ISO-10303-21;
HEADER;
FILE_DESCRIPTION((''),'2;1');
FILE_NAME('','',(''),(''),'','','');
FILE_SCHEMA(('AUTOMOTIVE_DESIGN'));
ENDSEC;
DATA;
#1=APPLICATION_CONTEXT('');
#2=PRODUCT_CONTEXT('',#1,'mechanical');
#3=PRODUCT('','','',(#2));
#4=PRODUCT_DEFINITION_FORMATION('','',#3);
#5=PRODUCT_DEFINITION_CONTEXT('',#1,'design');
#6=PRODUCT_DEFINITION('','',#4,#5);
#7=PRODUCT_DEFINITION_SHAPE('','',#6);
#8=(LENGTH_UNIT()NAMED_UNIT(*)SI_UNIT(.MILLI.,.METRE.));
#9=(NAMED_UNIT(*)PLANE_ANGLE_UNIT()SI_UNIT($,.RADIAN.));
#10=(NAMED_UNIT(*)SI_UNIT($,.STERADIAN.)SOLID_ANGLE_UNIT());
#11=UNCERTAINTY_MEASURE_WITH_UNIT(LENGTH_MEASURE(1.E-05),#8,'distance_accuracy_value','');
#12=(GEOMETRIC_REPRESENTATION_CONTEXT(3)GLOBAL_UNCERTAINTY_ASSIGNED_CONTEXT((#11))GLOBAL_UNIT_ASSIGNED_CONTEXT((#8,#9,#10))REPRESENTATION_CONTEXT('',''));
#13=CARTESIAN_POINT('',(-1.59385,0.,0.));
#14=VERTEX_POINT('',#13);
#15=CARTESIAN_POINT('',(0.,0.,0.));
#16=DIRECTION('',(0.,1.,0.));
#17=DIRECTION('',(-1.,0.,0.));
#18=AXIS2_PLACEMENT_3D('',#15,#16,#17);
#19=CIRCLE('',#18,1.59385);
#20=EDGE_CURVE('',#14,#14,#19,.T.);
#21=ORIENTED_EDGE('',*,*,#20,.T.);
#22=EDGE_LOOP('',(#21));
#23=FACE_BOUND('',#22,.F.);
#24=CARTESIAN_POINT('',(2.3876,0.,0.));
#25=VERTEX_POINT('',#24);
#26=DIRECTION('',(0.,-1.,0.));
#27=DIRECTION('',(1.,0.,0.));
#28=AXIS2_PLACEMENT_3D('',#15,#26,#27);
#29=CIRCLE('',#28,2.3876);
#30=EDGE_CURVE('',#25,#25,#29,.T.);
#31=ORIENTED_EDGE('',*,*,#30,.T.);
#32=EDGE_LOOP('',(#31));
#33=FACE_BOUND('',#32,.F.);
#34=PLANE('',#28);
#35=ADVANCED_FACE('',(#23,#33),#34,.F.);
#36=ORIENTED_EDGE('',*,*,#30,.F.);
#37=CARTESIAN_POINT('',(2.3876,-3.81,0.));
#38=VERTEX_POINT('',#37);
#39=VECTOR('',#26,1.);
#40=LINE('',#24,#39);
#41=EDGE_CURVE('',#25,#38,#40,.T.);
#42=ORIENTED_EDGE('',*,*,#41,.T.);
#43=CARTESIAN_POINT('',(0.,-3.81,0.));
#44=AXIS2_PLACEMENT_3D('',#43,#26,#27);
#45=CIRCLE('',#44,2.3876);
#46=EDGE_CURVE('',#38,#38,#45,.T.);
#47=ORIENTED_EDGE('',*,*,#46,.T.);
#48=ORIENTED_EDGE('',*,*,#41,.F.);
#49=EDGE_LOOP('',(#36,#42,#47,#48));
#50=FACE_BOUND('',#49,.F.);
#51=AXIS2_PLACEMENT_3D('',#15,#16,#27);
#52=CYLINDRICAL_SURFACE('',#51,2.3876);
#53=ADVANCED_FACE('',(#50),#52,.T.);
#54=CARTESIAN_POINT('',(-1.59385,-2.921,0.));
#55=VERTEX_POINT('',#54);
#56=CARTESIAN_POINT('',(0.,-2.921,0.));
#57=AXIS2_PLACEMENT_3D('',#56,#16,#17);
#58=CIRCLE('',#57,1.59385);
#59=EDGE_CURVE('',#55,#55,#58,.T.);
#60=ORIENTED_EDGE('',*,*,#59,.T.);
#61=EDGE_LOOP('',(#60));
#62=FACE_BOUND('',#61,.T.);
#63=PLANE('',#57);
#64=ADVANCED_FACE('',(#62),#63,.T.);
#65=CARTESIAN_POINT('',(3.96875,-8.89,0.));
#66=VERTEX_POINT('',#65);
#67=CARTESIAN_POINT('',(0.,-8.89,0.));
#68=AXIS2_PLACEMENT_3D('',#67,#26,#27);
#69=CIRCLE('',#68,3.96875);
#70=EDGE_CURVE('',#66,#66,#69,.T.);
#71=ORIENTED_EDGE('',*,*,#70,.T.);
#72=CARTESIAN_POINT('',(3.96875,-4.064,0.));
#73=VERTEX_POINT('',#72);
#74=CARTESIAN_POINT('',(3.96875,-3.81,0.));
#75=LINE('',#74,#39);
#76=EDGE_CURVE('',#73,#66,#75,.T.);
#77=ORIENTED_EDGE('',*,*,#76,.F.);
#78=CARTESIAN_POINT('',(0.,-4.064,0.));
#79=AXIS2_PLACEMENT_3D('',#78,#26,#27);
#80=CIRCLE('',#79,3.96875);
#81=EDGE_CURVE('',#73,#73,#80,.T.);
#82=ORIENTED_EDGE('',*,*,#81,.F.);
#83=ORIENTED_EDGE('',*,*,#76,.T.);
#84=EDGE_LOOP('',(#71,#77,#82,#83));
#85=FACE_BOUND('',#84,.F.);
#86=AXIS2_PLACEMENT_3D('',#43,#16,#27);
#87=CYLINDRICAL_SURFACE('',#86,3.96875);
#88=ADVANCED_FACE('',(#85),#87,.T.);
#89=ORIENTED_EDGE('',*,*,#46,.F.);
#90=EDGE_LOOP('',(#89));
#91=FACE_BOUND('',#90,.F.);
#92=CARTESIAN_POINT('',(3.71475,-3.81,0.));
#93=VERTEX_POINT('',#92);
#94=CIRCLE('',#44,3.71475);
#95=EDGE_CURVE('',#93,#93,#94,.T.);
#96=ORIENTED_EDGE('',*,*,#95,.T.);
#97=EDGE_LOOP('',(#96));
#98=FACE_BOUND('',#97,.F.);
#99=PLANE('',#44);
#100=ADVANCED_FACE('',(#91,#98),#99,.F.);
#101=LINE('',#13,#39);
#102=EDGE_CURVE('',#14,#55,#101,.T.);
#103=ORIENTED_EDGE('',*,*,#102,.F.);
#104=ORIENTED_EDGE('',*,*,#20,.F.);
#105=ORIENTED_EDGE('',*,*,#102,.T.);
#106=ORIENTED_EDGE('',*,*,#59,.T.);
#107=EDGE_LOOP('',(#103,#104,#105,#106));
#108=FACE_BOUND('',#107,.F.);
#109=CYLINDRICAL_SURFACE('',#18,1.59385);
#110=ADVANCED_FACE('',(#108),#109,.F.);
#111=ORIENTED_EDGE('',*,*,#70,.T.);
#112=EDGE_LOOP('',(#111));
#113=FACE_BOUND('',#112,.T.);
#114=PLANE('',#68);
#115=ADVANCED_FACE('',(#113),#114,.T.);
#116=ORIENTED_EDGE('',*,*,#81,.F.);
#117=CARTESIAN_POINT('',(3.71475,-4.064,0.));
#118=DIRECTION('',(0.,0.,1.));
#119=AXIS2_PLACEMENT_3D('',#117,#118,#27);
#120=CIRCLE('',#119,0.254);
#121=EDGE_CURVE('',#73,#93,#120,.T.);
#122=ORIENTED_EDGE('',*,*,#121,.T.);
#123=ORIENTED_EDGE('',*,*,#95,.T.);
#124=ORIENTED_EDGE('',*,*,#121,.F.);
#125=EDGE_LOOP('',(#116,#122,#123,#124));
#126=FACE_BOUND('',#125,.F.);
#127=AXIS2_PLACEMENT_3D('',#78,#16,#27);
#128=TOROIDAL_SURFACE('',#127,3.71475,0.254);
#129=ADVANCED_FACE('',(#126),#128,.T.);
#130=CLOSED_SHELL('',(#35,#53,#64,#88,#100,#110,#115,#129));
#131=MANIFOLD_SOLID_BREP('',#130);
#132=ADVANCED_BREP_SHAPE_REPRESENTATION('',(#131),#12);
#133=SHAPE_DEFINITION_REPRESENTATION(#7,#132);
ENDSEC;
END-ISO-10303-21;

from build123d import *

# Parameters (mm, degrees)
F0_R     = 2.3876
F1_DEPTH = 3.81
F2_R     = 3.96875
F3_DEPTH = 5.08
F4_R     = 1.59385
F5_DEPTH = 2.921
F6_R     = 0.254


with BuildPart() as f1:
    # F0 (on Front) → F1 (new body)
    with BuildSketch(Plane.XZ):
        Circle(F0_R)
    extrude(amount=F1_DEPTH)

    # F2 (on face) → F3 (join)
    with BuildSketch(Plane.XZ.offset(3.81)):
        Circle(F2_R)
    extrude(amount=F3_DEPTH)

    # F4 (on face) → F5 (cut)
    with BuildSketch(Plane(origin=(0, 0, 0), x_dir=(-1, 0, 0), z_dir=(0, 1, 0))):
        Circle(F4_R)
    extrude(amount=-F5_DEPTH, mode=Mode.SUBTRACT)

    # F6
    f6_edges = [f1.edges().sort_by_distance(p)[0] for p in [
        (-3.96875, -3.81, 0),
    ]]
    fillet(f6_edges, radius=F6_R)


solid = f1.part
